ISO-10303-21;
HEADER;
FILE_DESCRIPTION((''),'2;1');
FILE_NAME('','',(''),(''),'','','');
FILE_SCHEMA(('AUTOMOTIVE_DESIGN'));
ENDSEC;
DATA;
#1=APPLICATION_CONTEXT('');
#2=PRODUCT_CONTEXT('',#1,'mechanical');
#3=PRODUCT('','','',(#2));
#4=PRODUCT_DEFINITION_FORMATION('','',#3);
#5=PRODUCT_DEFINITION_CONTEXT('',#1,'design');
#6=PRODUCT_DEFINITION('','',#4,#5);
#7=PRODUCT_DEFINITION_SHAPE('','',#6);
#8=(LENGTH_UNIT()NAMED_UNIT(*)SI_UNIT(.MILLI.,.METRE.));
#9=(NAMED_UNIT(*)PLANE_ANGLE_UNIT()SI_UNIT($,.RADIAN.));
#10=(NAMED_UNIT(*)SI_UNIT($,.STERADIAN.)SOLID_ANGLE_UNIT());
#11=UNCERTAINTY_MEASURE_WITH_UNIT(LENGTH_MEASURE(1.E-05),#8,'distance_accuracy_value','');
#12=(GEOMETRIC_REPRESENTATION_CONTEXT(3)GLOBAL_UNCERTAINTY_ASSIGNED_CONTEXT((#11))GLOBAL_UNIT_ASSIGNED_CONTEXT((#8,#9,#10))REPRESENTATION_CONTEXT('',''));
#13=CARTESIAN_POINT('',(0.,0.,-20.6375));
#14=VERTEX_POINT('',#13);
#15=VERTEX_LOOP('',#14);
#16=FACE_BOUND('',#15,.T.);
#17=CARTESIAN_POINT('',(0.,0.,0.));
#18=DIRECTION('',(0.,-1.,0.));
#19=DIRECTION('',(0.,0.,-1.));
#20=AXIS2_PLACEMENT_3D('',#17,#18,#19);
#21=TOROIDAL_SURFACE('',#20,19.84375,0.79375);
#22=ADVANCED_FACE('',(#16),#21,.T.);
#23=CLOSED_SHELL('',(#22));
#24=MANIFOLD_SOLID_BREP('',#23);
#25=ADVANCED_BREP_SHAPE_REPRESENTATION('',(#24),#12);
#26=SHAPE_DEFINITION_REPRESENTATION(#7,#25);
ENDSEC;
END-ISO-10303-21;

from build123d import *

# Parameters (mm, degrees)
SKETCH2_R = 0.79375


with BuildPart() as part:
    # Sketch2 → Revolve1 (revolve)
    with BuildSketch(Plane.XY, mode=Mode.PRIVATE) as revolve1_sk:
        with Locations((-19.84375, 0)):
            Circle(SKETCH2_R)
    revolve(revolve1_sk.sketch.rotate(Axis((0, -25.636498532, 0), (0, 1, 0)), 270), axis=Axis((0, -25.636498532, 0), (0, 1, 0)))


solid = part.part
